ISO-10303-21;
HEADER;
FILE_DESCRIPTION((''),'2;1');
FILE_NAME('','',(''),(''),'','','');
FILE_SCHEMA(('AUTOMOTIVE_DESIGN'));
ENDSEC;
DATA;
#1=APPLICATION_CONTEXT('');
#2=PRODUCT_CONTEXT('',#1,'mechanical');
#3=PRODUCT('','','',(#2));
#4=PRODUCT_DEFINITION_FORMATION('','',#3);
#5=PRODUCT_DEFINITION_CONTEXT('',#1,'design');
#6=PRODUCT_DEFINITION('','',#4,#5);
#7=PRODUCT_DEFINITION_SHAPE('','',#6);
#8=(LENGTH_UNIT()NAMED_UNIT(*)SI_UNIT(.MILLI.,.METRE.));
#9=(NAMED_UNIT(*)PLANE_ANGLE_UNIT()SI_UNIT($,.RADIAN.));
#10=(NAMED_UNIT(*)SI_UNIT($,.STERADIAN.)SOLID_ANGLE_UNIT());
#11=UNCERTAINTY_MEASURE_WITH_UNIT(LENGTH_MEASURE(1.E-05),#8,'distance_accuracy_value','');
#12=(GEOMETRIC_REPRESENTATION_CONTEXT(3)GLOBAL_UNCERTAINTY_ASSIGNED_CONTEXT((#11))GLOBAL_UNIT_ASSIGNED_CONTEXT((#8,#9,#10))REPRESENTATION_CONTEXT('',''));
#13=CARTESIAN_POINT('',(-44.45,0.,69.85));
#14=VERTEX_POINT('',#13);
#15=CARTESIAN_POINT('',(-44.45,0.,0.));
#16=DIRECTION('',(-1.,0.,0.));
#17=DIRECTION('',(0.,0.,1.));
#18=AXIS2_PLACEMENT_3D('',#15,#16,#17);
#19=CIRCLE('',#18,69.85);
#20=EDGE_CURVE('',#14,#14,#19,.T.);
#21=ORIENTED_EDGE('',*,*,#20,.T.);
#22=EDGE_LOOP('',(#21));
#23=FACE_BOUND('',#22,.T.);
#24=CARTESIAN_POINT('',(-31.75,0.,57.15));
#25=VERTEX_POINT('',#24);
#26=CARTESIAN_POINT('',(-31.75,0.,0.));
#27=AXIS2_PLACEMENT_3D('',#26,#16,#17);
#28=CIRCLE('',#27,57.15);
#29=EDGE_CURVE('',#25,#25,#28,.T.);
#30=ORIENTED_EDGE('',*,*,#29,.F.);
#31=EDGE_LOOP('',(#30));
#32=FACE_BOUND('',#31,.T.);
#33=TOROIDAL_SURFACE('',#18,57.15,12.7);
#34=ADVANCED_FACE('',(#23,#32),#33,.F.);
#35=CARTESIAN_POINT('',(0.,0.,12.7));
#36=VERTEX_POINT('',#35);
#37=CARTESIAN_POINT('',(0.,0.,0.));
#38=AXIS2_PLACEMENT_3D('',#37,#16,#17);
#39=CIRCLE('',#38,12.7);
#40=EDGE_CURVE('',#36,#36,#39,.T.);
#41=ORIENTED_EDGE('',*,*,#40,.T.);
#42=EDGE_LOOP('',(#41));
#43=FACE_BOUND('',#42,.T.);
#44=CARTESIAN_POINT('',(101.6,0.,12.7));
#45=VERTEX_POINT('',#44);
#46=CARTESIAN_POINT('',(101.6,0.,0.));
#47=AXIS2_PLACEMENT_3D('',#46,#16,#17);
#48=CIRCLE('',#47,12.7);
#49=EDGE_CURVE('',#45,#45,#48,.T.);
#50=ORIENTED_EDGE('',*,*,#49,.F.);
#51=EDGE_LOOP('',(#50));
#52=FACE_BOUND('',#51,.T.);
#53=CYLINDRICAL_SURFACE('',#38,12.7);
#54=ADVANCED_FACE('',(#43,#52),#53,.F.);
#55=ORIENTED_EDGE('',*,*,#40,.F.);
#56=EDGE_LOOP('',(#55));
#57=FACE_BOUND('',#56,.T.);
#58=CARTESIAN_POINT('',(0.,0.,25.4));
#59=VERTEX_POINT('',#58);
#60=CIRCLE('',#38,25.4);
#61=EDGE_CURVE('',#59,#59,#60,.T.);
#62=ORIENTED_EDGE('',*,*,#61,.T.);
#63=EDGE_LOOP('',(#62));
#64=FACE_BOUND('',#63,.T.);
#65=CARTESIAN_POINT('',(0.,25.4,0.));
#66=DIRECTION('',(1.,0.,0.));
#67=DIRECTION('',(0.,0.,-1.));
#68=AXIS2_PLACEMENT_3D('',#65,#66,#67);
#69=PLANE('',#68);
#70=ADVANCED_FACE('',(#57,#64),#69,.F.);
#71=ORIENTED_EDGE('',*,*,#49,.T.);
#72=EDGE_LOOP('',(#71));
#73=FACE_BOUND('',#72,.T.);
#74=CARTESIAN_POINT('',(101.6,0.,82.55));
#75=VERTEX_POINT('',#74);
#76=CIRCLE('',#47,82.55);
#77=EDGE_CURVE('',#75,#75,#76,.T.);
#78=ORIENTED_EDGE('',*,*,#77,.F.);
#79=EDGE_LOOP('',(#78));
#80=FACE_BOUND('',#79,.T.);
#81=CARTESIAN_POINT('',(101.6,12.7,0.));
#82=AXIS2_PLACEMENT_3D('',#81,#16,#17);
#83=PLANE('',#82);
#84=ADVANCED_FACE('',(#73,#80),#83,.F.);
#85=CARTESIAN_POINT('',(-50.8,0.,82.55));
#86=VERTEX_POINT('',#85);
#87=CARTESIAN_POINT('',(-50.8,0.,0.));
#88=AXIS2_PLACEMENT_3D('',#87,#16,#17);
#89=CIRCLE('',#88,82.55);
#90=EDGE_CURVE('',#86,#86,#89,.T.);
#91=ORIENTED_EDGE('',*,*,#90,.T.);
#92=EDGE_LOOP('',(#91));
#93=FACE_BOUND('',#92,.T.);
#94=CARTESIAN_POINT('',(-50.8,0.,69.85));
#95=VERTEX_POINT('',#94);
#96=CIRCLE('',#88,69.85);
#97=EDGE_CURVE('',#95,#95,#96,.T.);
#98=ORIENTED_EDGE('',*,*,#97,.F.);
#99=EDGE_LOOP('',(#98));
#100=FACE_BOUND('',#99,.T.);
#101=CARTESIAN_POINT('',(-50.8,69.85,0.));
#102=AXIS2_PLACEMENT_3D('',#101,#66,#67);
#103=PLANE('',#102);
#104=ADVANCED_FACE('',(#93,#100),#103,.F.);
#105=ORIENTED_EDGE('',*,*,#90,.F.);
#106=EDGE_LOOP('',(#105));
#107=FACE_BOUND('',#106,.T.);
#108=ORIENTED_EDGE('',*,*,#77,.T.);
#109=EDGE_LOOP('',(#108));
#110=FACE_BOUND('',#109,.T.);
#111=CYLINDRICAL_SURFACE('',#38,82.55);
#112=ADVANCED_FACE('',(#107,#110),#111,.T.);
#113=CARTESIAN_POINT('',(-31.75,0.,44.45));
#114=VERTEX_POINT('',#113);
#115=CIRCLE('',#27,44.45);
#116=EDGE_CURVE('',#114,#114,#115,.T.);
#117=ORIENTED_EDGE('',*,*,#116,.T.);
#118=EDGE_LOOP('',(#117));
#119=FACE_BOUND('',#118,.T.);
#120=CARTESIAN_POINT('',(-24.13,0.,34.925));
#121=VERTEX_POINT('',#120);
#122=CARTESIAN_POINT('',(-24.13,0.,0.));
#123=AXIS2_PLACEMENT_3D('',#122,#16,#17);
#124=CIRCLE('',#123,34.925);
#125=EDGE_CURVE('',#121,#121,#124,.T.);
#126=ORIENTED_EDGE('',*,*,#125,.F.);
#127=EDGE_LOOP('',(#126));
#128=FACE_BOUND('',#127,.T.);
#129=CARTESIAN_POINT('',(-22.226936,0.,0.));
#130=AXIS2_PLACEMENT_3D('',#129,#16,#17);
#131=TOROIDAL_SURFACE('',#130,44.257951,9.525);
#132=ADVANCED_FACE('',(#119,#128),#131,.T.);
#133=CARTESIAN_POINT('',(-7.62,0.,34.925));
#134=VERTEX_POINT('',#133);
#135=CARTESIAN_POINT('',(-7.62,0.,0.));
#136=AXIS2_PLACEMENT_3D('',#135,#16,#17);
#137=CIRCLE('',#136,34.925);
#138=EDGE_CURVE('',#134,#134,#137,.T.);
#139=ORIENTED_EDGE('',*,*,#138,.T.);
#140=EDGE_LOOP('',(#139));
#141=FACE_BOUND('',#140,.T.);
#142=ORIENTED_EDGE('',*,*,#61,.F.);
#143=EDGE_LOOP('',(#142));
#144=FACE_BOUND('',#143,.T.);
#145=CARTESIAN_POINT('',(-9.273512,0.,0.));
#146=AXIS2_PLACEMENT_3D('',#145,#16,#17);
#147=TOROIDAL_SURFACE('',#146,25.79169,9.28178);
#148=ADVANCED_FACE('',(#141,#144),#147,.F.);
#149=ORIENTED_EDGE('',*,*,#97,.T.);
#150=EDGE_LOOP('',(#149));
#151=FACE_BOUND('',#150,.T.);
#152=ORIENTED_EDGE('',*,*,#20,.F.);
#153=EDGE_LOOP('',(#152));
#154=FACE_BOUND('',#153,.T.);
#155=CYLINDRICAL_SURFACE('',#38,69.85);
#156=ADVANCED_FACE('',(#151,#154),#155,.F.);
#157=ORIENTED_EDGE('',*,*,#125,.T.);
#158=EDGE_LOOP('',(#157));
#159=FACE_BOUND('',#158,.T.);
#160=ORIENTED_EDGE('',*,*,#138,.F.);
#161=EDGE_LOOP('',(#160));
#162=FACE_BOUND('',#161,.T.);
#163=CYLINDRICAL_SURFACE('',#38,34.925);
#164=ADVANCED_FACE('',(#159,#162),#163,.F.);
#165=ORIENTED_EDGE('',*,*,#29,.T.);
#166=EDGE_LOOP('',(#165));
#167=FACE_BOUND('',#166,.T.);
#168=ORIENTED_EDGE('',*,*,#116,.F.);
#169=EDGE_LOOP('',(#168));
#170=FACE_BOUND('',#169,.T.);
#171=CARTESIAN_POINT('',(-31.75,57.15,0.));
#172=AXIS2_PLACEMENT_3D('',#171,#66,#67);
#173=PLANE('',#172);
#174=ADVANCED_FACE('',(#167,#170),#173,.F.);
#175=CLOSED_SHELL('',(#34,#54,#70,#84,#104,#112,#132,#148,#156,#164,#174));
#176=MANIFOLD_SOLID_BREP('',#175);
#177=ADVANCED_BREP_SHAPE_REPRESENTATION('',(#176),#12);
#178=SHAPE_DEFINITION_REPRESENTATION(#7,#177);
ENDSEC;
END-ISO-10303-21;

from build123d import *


with BuildPart() as part:
    # Sketch1 → Revolve2 (revolve)
    with BuildSketch(Plane.XY):
        with BuildLine():
            Line((-50.8, 69.85), (-50.8, 82.55))
            Line((-50.8, 82.55), (101.6, 82.55))
            Line((101.6, 82.55), (101.6, 12.7))
            Line((101.6, 12.7), (0, 12.7))
            Line((0, 12.7), (0, 25.4))
            ThreePointArc((0, 25.4), (-2.025659238, 31.58997261), (-7.62, 34.925))
            Line((-7.62, 34.925), (-24.13, 34.925))
            ThreePointArc((-24.13, 34.925), (-29.664711714, 38.307730629), (-31.75, 44.45))
            Line((-31.75, 44.45), (-31.75, 57.15))
            ThreePointArc((-31.75, 57.15), (-35.469743879, 66.130256121), (-44.45, 69.85))
            Line((-44.45, 69.85), (-50.8, 69.85))
        make_face()
    revolve(axis=Axis((0, 0, 0), (1, 0, 0)))


solid = part.part
